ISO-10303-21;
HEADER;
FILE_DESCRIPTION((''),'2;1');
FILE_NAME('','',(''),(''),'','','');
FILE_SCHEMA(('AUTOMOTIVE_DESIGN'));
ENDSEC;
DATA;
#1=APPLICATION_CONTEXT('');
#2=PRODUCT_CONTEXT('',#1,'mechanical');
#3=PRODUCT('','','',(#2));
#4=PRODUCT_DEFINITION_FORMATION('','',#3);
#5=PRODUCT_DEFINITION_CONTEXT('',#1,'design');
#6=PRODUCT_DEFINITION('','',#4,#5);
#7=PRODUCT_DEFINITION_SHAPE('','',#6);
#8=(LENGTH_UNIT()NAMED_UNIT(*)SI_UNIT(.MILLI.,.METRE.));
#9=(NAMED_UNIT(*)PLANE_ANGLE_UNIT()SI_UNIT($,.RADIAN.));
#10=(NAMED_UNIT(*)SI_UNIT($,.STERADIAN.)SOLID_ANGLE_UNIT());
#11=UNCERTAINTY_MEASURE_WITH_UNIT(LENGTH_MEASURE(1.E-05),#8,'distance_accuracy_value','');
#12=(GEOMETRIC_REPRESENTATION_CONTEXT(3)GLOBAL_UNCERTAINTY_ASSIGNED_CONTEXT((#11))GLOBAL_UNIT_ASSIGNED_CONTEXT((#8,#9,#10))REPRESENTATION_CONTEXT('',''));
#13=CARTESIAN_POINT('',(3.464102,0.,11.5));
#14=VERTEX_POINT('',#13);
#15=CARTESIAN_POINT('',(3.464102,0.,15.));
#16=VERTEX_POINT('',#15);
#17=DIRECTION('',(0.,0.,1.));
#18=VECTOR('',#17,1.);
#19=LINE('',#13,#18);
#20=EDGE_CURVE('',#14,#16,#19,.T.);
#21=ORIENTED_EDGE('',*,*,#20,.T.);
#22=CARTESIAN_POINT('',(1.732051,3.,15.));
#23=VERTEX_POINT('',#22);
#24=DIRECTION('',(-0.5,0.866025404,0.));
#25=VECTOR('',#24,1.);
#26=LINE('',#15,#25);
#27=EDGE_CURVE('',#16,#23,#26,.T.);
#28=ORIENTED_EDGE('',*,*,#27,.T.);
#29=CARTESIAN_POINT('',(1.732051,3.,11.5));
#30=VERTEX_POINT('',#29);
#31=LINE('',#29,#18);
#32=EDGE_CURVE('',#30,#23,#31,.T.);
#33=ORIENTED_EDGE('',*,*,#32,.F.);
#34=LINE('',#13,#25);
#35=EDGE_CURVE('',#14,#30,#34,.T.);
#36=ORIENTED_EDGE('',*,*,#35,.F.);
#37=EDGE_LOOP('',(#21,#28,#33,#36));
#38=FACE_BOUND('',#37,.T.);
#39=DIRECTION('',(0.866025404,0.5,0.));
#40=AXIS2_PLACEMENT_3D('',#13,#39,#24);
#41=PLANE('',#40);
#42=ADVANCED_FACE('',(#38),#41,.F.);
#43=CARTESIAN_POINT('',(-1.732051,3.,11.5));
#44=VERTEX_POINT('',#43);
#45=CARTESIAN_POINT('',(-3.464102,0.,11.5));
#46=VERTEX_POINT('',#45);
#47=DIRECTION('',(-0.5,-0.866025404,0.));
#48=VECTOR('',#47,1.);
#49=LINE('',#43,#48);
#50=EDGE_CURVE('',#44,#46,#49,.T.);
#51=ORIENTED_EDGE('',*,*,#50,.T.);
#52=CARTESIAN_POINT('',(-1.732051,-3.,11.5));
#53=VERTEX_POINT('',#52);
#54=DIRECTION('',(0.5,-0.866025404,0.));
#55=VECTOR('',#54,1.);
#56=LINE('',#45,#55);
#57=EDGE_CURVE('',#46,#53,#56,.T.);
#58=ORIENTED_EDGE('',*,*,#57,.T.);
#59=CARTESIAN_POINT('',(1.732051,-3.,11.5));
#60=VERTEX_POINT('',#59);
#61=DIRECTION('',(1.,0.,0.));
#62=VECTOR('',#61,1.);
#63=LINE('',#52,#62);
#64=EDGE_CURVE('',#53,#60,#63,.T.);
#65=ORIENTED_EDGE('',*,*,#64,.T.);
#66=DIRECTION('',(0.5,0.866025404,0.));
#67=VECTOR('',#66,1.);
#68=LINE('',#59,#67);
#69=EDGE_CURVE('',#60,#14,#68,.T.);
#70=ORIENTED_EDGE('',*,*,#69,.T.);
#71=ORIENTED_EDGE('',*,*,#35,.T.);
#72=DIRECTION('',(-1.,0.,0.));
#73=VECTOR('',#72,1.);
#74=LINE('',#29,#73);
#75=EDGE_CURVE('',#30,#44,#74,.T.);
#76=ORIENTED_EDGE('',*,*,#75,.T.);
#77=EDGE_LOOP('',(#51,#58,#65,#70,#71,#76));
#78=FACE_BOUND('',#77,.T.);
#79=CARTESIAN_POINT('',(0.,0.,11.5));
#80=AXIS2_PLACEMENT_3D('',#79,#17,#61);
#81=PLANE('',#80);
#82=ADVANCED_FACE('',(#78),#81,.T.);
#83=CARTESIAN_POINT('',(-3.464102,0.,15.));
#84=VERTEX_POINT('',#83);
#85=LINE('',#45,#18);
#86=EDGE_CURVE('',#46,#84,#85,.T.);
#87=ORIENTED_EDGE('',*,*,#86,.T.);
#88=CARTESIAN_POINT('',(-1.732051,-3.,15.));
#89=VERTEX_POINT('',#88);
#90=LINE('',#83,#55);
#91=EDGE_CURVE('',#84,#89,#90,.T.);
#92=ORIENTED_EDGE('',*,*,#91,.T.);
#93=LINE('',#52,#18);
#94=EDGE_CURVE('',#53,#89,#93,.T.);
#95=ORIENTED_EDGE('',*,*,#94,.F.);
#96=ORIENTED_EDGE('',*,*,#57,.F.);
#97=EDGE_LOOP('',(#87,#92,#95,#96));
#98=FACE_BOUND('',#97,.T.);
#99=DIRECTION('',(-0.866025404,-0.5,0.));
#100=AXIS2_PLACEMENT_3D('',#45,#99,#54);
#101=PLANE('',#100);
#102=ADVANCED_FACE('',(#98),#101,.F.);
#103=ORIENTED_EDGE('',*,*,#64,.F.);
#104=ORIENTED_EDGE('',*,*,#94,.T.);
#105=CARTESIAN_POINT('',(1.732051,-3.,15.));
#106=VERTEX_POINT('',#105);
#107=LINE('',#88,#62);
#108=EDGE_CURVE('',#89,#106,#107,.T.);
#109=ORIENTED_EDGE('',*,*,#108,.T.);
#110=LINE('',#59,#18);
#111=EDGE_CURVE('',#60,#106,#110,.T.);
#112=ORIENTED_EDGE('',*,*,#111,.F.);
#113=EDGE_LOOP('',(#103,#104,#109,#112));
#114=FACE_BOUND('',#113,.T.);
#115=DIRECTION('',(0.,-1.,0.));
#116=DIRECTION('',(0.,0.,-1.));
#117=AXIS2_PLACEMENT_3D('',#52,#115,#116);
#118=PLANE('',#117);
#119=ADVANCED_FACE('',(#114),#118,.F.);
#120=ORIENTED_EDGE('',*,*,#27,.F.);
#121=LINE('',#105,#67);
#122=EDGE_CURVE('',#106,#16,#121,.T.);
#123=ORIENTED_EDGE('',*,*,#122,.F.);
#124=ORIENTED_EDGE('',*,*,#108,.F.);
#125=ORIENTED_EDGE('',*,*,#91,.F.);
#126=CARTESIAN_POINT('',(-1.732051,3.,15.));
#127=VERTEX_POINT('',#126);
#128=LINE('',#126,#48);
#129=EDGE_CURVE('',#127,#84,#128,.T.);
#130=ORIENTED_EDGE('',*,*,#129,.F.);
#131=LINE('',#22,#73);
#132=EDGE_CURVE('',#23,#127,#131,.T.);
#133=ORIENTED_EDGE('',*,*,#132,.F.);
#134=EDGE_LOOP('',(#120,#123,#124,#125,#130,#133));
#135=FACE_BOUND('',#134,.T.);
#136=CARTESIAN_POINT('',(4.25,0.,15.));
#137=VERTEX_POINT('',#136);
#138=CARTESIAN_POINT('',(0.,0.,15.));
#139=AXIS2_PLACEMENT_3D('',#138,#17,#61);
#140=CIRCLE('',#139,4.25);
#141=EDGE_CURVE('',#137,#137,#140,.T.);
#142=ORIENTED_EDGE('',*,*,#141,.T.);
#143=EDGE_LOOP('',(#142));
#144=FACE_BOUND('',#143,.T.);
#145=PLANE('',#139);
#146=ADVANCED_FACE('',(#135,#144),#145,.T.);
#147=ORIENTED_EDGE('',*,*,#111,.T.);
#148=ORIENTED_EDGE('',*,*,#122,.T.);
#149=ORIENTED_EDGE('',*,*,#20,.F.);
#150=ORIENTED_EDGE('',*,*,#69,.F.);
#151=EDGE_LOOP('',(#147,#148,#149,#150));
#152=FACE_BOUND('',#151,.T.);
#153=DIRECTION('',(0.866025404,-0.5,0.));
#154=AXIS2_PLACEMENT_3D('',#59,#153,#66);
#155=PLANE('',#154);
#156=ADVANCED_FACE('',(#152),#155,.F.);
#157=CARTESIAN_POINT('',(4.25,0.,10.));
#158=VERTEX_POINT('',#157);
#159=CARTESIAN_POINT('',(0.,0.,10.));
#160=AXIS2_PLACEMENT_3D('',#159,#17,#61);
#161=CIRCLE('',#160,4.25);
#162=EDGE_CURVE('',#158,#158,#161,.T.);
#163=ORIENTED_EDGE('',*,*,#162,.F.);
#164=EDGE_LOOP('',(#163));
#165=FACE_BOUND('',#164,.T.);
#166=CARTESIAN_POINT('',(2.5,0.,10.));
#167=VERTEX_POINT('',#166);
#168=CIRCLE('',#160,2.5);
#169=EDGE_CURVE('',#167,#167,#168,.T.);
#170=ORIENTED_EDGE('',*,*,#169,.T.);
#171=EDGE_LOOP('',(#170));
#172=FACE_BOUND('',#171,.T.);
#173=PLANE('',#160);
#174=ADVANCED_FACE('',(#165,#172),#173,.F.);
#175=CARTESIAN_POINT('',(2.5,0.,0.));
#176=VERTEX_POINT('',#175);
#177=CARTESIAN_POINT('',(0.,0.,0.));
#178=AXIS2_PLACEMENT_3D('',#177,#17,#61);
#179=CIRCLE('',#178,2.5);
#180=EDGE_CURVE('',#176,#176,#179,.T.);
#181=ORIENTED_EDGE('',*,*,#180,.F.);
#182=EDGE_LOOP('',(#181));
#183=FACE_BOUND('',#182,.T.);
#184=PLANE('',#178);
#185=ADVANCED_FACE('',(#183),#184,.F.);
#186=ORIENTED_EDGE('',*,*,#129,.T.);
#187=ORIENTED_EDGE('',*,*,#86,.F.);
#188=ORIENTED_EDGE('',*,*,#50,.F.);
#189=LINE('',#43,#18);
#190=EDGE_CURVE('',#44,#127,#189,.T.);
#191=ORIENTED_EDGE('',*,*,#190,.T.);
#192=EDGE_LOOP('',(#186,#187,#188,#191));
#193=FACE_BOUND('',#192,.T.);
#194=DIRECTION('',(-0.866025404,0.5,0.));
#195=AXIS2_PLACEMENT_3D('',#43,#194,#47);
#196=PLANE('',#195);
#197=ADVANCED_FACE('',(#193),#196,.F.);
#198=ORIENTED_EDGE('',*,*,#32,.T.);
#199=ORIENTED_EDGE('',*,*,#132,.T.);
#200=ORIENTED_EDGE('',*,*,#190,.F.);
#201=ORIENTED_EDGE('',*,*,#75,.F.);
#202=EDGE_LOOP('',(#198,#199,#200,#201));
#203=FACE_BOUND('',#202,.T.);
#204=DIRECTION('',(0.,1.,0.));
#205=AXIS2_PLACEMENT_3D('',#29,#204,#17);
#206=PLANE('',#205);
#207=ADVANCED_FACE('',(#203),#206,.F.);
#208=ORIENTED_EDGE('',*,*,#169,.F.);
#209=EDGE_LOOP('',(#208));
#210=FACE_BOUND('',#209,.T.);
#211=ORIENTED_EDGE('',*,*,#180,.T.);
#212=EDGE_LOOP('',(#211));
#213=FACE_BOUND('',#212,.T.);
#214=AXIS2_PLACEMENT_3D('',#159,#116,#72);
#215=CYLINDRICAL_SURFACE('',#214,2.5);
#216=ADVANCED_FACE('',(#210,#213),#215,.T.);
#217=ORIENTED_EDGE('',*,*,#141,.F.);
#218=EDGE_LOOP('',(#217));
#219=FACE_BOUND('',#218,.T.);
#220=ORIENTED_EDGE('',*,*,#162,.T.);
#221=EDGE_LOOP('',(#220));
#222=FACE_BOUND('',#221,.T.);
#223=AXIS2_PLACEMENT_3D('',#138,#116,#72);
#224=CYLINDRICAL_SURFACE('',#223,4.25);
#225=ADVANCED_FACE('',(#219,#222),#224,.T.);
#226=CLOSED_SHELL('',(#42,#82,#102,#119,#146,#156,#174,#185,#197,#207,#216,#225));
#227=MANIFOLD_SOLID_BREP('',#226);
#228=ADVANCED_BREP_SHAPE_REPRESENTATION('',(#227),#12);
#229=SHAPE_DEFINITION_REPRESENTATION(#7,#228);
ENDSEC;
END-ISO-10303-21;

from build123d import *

# Parameters (mm, degrees)
ESQUISSE1_R             = 2.5
BOSS_EXTRU_1_DEPTH      = 10
ESQUISSE2_R             = 4.25
BOSS_EXTRU_2_DEPTH      = 5
ENL_V_MAT_EXTRU_1_DEPTH = 3.5


with BuildPart() as part:
    # Esquisse1 → Boss.-Extru.1 (new body)
    with BuildSketch(Plane.XY):
        Circle(ESQUISSE1_R)
    extrude(amount=BOSS_EXTRU_1_DEPTH)

    # Esquisse2 → Boss.-Extru.2 (add)
    with BuildSketch(Plane.XY.offset(10)):
        Circle(ESQUISSE2_R)
    extrude(amount=BOSS_EXTRU_2_DEPTH)

    # Esquisse3 → Enlèv. mat.-Extru.1 (cut)
    with BuildSketch(Plane.XY.offset(15)):
        Polygon((3.464101615, 0), (1.732050808, 3), (-1.732050808, 3), (-3.464101615, 0), (-1.732050808, -3), (1.732050808, -3), align=None)
    extrude(amount=-ENL_V_MAT_EXTRU_1_DEPTH, mode=Mode.SUBTRACT)


solid = part.part
